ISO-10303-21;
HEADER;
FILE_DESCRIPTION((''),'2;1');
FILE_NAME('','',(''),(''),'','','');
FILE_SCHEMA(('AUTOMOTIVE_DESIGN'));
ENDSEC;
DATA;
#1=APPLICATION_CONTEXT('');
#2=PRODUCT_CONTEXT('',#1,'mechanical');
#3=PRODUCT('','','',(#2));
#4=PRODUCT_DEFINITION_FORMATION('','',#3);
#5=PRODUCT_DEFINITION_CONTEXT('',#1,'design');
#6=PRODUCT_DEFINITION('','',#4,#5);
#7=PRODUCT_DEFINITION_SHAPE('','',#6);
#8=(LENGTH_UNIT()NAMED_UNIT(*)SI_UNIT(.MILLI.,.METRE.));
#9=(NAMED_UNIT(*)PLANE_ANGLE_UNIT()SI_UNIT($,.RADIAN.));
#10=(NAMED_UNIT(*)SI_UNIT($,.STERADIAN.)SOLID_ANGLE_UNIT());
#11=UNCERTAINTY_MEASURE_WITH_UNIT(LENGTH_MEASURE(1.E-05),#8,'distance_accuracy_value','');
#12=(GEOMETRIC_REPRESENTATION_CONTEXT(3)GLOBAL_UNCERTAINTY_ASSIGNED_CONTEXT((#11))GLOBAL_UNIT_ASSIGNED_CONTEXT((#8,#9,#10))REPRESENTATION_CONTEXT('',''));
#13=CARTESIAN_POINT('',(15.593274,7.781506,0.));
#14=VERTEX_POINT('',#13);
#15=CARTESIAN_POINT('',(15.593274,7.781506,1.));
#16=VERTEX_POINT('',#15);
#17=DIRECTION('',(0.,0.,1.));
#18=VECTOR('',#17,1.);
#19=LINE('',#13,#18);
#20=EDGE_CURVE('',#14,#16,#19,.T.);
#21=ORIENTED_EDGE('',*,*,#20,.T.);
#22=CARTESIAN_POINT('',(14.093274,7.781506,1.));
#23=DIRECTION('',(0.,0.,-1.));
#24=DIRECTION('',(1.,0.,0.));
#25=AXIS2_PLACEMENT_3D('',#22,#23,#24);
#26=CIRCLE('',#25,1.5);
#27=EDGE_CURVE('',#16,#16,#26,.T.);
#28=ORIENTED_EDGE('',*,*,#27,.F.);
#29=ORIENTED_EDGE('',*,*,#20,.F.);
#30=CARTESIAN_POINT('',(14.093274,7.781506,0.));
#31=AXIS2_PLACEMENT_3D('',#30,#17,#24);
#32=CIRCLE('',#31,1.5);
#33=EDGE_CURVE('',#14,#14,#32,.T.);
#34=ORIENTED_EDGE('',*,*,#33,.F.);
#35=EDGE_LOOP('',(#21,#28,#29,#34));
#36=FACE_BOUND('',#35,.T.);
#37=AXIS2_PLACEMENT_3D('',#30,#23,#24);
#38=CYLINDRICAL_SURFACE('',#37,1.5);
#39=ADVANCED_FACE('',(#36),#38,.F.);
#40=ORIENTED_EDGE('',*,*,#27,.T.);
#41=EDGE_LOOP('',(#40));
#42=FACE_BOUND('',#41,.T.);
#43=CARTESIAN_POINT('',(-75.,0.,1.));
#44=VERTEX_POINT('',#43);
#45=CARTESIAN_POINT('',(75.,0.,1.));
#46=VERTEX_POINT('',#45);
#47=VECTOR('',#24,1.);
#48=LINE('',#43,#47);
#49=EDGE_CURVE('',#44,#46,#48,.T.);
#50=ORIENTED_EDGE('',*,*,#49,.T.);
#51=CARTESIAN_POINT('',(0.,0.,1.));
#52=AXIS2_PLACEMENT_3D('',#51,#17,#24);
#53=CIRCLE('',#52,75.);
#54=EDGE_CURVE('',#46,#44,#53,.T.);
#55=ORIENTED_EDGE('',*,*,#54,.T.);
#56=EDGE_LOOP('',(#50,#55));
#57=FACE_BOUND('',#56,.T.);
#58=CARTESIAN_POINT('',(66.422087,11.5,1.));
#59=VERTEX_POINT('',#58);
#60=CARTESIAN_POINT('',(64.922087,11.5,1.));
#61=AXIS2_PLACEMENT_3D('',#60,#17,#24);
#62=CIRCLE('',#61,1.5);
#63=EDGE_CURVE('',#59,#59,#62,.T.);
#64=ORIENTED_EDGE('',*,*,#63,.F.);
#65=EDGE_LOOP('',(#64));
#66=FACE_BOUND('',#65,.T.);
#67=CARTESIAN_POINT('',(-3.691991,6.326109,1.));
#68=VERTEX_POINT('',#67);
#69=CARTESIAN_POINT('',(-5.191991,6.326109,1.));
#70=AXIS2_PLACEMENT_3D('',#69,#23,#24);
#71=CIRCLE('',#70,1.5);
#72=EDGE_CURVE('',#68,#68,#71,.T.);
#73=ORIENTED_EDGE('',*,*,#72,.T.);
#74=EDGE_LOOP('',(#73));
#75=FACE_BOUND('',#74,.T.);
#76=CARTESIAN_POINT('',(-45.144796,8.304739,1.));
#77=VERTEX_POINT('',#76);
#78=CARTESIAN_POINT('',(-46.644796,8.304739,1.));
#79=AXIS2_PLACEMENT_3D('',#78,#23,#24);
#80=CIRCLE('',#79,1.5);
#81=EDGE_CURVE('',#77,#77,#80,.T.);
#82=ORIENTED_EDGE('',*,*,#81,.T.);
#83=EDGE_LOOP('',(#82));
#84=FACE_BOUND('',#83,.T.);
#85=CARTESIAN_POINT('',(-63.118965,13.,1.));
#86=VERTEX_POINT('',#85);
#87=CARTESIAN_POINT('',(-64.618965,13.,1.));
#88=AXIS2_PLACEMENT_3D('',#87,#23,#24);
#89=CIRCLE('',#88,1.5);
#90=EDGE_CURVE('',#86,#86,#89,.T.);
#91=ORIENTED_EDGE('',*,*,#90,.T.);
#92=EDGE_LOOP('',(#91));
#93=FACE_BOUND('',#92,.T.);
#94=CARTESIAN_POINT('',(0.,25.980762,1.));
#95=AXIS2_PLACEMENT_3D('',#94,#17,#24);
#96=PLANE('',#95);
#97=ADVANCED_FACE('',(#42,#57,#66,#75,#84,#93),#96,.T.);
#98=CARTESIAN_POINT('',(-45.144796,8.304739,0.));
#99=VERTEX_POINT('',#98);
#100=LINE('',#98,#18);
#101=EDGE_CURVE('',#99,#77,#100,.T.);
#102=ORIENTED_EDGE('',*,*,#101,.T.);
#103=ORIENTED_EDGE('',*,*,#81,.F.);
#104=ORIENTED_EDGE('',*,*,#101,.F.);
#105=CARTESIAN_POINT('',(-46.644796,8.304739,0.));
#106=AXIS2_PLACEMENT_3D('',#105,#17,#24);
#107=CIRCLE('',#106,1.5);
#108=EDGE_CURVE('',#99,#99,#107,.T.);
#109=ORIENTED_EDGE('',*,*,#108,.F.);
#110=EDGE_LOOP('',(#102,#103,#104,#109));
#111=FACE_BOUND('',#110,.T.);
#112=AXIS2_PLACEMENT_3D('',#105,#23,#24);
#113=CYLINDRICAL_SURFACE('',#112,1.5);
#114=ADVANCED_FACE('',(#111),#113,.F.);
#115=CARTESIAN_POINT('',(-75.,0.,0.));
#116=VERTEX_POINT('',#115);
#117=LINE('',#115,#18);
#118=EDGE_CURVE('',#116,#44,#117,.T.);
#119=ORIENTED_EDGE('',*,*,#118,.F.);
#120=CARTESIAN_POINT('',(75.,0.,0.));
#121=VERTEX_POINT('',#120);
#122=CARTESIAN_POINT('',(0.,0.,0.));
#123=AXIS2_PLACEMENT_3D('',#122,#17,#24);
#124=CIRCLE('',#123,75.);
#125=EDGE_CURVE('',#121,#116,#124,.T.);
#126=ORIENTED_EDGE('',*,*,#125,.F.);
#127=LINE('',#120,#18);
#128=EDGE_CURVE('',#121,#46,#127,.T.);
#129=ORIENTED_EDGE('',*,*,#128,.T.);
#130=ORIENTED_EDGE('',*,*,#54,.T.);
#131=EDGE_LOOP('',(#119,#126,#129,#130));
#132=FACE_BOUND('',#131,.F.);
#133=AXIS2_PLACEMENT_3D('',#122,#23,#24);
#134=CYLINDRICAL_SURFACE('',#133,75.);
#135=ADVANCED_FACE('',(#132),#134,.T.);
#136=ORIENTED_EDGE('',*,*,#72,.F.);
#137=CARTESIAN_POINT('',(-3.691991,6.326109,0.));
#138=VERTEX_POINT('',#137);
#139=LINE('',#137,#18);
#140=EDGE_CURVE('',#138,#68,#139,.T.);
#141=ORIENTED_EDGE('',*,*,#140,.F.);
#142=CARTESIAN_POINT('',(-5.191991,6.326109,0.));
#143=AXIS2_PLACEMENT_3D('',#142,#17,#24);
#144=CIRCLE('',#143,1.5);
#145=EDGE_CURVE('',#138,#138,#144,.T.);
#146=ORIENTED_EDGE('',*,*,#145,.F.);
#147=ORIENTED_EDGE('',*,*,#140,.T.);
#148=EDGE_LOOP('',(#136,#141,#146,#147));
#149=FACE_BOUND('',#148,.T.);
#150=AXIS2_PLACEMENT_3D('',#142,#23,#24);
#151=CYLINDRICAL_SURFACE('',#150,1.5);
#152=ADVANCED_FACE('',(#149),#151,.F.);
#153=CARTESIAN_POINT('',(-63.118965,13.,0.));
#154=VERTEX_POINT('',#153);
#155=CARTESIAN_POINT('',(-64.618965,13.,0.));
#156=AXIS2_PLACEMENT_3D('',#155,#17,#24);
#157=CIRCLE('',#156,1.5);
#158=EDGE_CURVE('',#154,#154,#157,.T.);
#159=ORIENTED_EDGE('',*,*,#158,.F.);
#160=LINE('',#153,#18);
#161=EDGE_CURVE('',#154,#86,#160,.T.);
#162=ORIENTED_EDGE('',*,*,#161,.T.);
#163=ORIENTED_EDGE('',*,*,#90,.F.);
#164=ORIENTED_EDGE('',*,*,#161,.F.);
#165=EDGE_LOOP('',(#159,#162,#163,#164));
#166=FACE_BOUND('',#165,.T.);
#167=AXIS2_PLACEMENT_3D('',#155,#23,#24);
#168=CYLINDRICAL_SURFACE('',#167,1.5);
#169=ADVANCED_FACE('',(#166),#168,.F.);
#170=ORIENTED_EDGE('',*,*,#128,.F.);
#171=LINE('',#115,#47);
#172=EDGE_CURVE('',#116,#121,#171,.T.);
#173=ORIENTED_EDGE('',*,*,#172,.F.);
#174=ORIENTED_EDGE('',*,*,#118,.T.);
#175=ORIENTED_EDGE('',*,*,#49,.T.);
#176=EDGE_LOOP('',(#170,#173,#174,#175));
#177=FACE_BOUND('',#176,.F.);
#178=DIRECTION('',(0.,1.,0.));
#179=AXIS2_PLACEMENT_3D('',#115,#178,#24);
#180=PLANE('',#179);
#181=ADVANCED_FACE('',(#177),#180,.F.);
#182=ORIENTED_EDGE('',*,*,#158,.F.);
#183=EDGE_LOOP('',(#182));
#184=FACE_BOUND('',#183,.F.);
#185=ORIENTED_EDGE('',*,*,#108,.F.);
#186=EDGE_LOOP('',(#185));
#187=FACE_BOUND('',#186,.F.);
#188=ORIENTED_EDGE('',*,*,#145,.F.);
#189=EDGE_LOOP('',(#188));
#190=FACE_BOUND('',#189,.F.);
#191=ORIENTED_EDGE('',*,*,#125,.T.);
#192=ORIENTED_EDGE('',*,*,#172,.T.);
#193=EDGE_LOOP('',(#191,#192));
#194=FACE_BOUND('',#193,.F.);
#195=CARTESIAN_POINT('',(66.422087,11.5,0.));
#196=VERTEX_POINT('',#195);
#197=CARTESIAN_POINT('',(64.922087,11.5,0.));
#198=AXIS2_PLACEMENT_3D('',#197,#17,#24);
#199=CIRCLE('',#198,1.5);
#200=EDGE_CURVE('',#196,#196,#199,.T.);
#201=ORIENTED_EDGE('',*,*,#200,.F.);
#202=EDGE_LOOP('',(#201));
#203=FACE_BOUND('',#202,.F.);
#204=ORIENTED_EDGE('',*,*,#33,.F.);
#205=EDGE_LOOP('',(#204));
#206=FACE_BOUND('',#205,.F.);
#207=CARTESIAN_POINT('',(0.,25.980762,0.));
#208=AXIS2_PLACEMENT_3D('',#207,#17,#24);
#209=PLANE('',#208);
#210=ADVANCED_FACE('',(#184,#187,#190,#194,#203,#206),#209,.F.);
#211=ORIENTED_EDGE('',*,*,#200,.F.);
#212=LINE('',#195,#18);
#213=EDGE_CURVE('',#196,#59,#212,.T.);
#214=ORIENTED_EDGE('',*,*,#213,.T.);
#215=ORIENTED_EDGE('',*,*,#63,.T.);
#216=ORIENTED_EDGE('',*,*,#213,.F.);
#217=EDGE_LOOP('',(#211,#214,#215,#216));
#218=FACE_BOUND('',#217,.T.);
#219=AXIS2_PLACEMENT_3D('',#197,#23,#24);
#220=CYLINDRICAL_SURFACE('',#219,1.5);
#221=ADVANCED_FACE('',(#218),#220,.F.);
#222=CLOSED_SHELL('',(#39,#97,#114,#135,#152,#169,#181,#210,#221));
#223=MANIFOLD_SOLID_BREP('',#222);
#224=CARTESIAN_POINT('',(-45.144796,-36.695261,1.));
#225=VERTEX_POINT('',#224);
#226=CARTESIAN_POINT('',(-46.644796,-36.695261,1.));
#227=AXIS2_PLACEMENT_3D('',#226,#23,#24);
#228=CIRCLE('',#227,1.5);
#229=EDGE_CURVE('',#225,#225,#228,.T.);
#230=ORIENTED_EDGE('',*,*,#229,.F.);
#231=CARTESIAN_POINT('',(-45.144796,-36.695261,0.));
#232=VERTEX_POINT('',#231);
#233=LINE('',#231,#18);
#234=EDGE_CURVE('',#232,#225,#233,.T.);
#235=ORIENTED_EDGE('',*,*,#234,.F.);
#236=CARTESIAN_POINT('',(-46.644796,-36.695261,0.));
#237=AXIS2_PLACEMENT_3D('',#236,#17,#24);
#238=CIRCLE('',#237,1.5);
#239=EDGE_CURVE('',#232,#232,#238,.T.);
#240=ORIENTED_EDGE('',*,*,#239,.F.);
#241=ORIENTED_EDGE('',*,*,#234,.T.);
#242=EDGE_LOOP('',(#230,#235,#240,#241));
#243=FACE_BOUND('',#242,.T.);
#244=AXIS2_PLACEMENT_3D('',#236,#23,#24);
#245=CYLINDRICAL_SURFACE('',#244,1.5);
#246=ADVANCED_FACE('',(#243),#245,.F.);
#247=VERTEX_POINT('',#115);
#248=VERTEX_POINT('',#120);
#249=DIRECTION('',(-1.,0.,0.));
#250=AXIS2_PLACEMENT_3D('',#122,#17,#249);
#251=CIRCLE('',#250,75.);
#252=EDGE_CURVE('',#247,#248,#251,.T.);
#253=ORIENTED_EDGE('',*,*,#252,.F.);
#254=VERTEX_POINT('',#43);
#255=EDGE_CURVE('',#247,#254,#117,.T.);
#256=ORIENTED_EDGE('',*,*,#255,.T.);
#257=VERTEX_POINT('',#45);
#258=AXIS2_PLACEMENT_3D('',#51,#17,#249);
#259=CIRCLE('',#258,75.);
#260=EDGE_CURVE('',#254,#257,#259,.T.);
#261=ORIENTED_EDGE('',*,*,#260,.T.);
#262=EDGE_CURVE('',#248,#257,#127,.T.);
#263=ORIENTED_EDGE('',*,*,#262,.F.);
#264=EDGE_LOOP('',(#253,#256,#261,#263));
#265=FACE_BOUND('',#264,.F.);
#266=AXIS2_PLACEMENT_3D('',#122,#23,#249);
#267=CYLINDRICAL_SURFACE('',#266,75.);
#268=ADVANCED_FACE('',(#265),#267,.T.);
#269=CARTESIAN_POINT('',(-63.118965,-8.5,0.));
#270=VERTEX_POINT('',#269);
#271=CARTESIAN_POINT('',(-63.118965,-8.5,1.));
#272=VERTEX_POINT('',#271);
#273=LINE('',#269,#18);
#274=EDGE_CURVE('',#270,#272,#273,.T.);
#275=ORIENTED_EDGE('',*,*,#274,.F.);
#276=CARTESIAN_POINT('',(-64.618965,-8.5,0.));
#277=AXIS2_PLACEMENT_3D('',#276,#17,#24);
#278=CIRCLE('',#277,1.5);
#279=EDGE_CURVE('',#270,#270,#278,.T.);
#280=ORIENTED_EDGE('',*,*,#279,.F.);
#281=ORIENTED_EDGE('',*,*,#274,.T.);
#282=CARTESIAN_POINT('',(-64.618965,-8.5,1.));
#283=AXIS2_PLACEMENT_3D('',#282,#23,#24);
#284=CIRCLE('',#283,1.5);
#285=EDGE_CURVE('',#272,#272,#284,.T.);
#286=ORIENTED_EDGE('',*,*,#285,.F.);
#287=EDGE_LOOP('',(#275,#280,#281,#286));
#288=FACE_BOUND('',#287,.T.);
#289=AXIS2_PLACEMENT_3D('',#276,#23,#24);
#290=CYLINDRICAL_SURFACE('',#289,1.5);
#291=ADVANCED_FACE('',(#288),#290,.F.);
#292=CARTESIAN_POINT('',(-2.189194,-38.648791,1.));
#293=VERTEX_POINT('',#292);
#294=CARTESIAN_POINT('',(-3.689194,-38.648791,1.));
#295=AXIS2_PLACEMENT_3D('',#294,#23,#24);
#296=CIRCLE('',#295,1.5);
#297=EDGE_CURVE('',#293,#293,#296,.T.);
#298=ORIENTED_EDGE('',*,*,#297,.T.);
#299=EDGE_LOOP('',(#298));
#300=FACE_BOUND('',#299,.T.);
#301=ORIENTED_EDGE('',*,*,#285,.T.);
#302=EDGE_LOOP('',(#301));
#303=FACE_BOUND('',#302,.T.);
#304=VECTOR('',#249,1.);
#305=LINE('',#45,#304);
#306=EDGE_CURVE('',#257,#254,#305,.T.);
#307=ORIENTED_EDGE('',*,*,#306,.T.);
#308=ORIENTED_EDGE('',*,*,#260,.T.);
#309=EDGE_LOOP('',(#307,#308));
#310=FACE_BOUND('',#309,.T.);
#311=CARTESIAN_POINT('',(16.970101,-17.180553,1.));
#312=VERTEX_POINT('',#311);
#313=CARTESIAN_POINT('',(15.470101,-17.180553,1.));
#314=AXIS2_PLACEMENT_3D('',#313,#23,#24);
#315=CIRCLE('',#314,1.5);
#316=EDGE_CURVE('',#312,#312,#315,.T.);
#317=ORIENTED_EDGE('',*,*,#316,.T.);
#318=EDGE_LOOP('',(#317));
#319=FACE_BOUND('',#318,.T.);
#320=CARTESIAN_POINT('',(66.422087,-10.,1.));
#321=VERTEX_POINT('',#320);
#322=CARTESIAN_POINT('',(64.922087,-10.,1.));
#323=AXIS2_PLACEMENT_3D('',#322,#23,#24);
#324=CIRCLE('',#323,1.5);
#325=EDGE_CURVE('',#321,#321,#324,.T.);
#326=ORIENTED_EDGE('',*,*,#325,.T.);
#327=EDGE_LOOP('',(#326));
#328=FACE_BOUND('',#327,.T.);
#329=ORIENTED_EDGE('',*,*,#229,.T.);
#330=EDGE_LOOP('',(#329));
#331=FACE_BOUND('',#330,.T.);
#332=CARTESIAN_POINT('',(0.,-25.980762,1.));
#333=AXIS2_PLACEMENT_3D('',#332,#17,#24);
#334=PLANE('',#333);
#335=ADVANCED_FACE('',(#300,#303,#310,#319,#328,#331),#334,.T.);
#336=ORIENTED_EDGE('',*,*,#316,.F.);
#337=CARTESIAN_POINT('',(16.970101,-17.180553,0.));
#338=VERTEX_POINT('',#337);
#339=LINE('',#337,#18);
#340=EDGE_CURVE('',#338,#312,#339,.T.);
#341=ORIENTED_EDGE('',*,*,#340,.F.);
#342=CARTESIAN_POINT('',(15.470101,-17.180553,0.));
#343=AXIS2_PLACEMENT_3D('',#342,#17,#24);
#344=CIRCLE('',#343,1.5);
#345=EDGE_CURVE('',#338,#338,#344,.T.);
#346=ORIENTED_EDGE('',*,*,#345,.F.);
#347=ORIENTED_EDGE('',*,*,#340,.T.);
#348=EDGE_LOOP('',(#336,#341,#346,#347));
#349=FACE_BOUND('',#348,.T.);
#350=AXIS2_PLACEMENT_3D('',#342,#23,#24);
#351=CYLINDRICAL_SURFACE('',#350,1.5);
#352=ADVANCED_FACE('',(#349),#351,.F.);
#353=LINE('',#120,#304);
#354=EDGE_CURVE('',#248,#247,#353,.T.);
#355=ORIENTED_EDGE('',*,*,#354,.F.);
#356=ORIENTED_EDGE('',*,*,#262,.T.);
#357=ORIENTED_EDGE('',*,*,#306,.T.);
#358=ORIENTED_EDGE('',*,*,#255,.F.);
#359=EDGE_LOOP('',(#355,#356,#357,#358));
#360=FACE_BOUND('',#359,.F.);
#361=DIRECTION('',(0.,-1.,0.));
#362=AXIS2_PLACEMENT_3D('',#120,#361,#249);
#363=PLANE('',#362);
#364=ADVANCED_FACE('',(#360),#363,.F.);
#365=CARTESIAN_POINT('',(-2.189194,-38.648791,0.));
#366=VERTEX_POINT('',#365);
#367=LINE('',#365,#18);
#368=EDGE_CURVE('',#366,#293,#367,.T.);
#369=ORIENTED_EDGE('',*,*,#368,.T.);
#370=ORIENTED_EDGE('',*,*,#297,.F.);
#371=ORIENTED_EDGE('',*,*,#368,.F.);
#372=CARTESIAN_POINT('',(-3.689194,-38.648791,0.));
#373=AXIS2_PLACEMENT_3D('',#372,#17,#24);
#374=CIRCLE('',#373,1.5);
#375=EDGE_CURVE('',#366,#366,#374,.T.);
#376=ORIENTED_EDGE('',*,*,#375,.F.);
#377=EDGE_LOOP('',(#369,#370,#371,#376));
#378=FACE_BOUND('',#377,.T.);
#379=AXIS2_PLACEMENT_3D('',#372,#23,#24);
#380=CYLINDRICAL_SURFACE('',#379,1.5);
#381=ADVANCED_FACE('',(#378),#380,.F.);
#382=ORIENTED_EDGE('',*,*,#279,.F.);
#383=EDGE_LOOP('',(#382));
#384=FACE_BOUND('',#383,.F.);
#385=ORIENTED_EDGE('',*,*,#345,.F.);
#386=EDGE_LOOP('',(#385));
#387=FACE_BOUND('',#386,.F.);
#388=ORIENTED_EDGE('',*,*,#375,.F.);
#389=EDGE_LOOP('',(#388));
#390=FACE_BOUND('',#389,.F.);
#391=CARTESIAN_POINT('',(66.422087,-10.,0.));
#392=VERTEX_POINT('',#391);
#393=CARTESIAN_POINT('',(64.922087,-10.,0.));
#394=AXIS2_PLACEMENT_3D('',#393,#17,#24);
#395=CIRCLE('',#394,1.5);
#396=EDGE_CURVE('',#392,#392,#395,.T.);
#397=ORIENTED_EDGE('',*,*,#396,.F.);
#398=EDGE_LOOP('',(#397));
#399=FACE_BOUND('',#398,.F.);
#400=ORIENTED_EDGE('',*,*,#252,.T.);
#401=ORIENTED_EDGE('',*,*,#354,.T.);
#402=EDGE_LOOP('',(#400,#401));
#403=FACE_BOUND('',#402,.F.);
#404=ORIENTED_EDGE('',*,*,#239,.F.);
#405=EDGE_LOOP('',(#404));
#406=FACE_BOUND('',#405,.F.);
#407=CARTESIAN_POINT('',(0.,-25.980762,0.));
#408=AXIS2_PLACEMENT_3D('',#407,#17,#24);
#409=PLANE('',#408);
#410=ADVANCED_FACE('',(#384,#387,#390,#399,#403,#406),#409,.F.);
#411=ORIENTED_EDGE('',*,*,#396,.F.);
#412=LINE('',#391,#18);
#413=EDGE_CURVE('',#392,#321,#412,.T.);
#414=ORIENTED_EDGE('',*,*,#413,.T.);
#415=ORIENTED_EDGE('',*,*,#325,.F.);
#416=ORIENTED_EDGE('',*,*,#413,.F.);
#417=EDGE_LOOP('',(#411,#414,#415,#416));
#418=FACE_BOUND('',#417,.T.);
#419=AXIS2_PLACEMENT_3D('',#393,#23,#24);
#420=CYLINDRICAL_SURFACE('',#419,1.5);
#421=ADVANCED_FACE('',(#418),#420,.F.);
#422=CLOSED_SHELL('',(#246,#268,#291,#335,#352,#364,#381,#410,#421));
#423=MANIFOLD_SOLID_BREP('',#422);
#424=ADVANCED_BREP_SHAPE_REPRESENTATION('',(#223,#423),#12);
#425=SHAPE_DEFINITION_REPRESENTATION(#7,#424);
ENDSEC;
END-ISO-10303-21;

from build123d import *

# Parameters (mm, degrees)
F5_DEPTH = 1
F1_R     = 1.5
F3_R     = 1.5
F4_R     = 1.5
F2_R     = 1.5
F6_DEPTH = 5
F7_DEPTH = 25


with BuildPart() as f5:
    # F0 (on Top) → F5 (new body)
    with BuildSketch(Plane.XY):
        with BuildLine():
            ThreePointArc((-75, 0), (0, -75), (75, 0))
            Line((75, 0), (0, 0))
            Line((0, 0), (-75, 0))
        make_face()
    extrude(amount=F5_DEPTH)


with BuildPart() as f5b:
    # F1 (on face) → F5, piece 2 (new body)
    with BuildSketch(Plane.XY):
        with BuildLine():
            Line((-75, 0), (0, 0))
            Line((0, 0), (75, 0))
            ThreePointArc((75, 0), (0, 75), (-75, 0))
        make_face()
        with Locations((64.9220868945, 11.5)):
            Circle(F1_R, mode=Mode.SUBTRACT)
    extrude(amount=F5_DEPTH)


with BuildPart() as f6_tool:
    # F3 (on face) + F4 (on face) + F2 (on face) → F6 (new body)
    with BuildSketch(Plane.XY):
        with Locations((14.0932742506, 7.7815055847)):
            Circle(F3_R)
        with Locations((15.470101073, -17.1805525817)):
            Circle(F3_R)
    with BuildSketch(Plane.XY):
        with Locations((-46.644795686, 8.3047393709)):
            Circle(F4_R)
        with Locations((-5.1919909365, 6.3261089357)):
            Circle(F4_R)
        with Locations((-46.644795686, -36.6952606291)):
            Circle(F4_R)
        with Locations((-3.6891939548, -38.6487907444)):
            Circle(F4_R)
    with BuildSketch(Plane.XY):
        with Locations((-64.618964936, 13)):
            Circle(F2_R)
        with Locations((-64.618964936, -8.5)):
            Circle(F2_R)
    extrude(amount=F6_DEPTH)


with BuildPart() as f5_1:
    add(f5.part)

    # F6: cut by f6_tool
    add(f6_tool.part, mode=Mode.SUBTRACT)

    # F1 (on face) → F7 (cut)
    with BuildSketch(Plane.XY):
        with Locations((64.9220868945, 11.5)):
            Circle(F1_R)
        with Locations((64.9220868945, -10)):
            Circle(F1_R)
    extrude(amount=F7_DEPTH, mode=Mode.SUBTRACT)


with BuildPart() as f5b_1:
    add(f5b.part)

    # F6: cut by f6_tool
    add(f6_tool.part, mode=Mode.SUBTRACT)


solid = Compound([f5_1.part, f5b_1.part])
